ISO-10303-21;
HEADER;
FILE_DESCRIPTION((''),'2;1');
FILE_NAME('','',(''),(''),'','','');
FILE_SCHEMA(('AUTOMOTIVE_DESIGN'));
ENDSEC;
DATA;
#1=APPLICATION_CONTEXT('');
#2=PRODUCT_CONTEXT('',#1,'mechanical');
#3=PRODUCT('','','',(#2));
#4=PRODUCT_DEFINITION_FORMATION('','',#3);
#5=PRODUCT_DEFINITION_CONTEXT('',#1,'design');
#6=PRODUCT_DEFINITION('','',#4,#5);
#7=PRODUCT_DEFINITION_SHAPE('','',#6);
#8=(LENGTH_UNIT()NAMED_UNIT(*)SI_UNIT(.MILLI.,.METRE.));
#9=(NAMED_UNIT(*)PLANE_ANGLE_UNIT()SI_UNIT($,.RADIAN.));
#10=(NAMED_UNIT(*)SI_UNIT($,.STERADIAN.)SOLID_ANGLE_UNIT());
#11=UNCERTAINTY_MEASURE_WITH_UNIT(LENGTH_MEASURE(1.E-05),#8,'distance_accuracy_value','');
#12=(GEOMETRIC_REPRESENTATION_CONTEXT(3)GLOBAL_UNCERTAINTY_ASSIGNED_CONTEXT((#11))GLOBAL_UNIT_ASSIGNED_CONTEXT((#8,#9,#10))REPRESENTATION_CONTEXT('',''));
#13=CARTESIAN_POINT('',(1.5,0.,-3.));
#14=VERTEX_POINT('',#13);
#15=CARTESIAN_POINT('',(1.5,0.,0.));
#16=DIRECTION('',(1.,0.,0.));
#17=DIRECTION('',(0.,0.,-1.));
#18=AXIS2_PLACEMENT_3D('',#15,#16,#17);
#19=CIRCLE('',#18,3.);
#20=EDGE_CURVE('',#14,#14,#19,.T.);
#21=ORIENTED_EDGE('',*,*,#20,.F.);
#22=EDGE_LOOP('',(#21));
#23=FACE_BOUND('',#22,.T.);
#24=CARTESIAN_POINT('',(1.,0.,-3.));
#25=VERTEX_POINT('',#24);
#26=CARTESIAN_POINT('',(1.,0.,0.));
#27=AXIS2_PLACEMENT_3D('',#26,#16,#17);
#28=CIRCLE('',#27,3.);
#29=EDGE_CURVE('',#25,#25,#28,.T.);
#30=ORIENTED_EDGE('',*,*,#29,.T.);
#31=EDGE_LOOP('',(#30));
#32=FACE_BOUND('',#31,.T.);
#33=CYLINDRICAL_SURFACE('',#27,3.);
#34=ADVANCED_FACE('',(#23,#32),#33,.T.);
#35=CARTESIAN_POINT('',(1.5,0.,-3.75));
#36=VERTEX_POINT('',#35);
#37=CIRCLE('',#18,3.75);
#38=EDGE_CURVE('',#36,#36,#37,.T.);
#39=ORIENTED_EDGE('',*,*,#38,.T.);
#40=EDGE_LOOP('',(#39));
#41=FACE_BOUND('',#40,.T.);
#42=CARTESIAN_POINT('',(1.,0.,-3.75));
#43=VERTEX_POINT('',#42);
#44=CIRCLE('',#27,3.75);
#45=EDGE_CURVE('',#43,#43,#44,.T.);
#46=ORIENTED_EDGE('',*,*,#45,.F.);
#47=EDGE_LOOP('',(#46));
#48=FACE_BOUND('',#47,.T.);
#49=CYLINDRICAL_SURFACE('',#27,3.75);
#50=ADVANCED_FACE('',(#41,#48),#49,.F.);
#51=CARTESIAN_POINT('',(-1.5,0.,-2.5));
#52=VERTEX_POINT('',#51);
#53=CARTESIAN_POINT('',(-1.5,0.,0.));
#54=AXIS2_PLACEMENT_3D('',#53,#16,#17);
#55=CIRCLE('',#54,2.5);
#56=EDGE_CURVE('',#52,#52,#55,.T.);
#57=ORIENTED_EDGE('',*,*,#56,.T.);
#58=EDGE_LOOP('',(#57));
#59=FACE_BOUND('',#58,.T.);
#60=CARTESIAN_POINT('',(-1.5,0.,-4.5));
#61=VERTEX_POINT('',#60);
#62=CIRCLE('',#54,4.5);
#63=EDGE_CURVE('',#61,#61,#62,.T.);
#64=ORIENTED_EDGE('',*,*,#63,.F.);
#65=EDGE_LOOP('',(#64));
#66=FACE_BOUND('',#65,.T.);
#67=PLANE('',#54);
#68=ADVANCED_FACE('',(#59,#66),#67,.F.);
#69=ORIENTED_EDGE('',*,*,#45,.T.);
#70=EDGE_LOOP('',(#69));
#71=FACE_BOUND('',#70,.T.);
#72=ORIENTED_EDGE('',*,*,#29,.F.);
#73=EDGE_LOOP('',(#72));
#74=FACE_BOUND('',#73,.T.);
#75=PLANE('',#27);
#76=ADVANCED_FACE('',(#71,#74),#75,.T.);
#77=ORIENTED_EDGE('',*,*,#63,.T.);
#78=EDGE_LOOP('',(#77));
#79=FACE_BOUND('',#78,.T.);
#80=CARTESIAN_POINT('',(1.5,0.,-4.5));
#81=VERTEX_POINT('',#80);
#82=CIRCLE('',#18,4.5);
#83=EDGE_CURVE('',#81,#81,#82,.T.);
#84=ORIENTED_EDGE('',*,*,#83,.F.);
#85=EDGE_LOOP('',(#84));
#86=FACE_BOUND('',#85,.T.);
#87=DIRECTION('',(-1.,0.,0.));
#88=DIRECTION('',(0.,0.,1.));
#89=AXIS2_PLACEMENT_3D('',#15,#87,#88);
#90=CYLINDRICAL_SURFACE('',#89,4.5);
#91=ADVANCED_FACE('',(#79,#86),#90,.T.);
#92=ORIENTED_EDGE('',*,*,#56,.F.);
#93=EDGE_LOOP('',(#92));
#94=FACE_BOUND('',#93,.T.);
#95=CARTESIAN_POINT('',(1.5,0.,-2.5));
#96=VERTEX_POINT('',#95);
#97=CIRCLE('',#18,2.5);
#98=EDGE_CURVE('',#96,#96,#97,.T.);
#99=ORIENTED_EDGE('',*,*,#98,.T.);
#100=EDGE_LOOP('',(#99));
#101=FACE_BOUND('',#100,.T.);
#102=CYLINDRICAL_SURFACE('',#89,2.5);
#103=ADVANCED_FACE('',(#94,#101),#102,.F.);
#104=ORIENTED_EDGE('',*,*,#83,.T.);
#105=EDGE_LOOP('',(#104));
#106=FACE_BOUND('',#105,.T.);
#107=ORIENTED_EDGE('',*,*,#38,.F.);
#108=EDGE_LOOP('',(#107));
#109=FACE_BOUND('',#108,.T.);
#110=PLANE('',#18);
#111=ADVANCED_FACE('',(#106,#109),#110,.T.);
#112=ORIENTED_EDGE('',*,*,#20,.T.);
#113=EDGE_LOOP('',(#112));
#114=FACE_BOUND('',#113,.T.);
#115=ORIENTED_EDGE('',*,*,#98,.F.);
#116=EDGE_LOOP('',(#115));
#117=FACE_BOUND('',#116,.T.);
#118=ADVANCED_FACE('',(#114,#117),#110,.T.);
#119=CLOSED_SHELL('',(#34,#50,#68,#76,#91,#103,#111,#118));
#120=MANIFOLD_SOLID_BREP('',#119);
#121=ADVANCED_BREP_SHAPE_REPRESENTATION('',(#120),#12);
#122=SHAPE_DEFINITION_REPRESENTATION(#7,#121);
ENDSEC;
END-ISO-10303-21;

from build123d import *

# Parameters (mm, degrees)
SKETCH1_R           = 4.5
SKETCH1_R_2         = 2.5
BOSS_EXTRUDE1_DEPTH = 1.5
SKETCH2_R           = 3.75
SKETCH2_R_2         = 3
CUT_EXTRUDE1_DEPTH  = 0.5


with BuildPart() as part:
    # Sketch1 → Boss-Extrude1 (new, symmetric)
    with BuildSketch(Plane(origin=(0, 0, 0), x_dir=(0, 0, -1), z_dir=(1, 0, 0))):
        Circle(SKETCH1_R)
        Circle(SKETCH1_R_2, mode=Mode.SUBTRACT)
    extrude(amount=BOSS_EXTRUDE1_DEPTH, both=True)

    # Sketch2 → Cut-Extrude1 (cut)
    with BuildSketch(Plane(origin=(1.5, 0, 0), x_dir=(0, 0, -1), z_dir=(1, 0, 0))):
        Circle(SKETCH2_R)
        Circle(SKETCH2_R_2, mode=Mode.SUBTRACT)
    extrude(amount=-CUT_EXTRUDE1_DEPTH, mode=Mode.SUBTRACT)


solid = part.part
